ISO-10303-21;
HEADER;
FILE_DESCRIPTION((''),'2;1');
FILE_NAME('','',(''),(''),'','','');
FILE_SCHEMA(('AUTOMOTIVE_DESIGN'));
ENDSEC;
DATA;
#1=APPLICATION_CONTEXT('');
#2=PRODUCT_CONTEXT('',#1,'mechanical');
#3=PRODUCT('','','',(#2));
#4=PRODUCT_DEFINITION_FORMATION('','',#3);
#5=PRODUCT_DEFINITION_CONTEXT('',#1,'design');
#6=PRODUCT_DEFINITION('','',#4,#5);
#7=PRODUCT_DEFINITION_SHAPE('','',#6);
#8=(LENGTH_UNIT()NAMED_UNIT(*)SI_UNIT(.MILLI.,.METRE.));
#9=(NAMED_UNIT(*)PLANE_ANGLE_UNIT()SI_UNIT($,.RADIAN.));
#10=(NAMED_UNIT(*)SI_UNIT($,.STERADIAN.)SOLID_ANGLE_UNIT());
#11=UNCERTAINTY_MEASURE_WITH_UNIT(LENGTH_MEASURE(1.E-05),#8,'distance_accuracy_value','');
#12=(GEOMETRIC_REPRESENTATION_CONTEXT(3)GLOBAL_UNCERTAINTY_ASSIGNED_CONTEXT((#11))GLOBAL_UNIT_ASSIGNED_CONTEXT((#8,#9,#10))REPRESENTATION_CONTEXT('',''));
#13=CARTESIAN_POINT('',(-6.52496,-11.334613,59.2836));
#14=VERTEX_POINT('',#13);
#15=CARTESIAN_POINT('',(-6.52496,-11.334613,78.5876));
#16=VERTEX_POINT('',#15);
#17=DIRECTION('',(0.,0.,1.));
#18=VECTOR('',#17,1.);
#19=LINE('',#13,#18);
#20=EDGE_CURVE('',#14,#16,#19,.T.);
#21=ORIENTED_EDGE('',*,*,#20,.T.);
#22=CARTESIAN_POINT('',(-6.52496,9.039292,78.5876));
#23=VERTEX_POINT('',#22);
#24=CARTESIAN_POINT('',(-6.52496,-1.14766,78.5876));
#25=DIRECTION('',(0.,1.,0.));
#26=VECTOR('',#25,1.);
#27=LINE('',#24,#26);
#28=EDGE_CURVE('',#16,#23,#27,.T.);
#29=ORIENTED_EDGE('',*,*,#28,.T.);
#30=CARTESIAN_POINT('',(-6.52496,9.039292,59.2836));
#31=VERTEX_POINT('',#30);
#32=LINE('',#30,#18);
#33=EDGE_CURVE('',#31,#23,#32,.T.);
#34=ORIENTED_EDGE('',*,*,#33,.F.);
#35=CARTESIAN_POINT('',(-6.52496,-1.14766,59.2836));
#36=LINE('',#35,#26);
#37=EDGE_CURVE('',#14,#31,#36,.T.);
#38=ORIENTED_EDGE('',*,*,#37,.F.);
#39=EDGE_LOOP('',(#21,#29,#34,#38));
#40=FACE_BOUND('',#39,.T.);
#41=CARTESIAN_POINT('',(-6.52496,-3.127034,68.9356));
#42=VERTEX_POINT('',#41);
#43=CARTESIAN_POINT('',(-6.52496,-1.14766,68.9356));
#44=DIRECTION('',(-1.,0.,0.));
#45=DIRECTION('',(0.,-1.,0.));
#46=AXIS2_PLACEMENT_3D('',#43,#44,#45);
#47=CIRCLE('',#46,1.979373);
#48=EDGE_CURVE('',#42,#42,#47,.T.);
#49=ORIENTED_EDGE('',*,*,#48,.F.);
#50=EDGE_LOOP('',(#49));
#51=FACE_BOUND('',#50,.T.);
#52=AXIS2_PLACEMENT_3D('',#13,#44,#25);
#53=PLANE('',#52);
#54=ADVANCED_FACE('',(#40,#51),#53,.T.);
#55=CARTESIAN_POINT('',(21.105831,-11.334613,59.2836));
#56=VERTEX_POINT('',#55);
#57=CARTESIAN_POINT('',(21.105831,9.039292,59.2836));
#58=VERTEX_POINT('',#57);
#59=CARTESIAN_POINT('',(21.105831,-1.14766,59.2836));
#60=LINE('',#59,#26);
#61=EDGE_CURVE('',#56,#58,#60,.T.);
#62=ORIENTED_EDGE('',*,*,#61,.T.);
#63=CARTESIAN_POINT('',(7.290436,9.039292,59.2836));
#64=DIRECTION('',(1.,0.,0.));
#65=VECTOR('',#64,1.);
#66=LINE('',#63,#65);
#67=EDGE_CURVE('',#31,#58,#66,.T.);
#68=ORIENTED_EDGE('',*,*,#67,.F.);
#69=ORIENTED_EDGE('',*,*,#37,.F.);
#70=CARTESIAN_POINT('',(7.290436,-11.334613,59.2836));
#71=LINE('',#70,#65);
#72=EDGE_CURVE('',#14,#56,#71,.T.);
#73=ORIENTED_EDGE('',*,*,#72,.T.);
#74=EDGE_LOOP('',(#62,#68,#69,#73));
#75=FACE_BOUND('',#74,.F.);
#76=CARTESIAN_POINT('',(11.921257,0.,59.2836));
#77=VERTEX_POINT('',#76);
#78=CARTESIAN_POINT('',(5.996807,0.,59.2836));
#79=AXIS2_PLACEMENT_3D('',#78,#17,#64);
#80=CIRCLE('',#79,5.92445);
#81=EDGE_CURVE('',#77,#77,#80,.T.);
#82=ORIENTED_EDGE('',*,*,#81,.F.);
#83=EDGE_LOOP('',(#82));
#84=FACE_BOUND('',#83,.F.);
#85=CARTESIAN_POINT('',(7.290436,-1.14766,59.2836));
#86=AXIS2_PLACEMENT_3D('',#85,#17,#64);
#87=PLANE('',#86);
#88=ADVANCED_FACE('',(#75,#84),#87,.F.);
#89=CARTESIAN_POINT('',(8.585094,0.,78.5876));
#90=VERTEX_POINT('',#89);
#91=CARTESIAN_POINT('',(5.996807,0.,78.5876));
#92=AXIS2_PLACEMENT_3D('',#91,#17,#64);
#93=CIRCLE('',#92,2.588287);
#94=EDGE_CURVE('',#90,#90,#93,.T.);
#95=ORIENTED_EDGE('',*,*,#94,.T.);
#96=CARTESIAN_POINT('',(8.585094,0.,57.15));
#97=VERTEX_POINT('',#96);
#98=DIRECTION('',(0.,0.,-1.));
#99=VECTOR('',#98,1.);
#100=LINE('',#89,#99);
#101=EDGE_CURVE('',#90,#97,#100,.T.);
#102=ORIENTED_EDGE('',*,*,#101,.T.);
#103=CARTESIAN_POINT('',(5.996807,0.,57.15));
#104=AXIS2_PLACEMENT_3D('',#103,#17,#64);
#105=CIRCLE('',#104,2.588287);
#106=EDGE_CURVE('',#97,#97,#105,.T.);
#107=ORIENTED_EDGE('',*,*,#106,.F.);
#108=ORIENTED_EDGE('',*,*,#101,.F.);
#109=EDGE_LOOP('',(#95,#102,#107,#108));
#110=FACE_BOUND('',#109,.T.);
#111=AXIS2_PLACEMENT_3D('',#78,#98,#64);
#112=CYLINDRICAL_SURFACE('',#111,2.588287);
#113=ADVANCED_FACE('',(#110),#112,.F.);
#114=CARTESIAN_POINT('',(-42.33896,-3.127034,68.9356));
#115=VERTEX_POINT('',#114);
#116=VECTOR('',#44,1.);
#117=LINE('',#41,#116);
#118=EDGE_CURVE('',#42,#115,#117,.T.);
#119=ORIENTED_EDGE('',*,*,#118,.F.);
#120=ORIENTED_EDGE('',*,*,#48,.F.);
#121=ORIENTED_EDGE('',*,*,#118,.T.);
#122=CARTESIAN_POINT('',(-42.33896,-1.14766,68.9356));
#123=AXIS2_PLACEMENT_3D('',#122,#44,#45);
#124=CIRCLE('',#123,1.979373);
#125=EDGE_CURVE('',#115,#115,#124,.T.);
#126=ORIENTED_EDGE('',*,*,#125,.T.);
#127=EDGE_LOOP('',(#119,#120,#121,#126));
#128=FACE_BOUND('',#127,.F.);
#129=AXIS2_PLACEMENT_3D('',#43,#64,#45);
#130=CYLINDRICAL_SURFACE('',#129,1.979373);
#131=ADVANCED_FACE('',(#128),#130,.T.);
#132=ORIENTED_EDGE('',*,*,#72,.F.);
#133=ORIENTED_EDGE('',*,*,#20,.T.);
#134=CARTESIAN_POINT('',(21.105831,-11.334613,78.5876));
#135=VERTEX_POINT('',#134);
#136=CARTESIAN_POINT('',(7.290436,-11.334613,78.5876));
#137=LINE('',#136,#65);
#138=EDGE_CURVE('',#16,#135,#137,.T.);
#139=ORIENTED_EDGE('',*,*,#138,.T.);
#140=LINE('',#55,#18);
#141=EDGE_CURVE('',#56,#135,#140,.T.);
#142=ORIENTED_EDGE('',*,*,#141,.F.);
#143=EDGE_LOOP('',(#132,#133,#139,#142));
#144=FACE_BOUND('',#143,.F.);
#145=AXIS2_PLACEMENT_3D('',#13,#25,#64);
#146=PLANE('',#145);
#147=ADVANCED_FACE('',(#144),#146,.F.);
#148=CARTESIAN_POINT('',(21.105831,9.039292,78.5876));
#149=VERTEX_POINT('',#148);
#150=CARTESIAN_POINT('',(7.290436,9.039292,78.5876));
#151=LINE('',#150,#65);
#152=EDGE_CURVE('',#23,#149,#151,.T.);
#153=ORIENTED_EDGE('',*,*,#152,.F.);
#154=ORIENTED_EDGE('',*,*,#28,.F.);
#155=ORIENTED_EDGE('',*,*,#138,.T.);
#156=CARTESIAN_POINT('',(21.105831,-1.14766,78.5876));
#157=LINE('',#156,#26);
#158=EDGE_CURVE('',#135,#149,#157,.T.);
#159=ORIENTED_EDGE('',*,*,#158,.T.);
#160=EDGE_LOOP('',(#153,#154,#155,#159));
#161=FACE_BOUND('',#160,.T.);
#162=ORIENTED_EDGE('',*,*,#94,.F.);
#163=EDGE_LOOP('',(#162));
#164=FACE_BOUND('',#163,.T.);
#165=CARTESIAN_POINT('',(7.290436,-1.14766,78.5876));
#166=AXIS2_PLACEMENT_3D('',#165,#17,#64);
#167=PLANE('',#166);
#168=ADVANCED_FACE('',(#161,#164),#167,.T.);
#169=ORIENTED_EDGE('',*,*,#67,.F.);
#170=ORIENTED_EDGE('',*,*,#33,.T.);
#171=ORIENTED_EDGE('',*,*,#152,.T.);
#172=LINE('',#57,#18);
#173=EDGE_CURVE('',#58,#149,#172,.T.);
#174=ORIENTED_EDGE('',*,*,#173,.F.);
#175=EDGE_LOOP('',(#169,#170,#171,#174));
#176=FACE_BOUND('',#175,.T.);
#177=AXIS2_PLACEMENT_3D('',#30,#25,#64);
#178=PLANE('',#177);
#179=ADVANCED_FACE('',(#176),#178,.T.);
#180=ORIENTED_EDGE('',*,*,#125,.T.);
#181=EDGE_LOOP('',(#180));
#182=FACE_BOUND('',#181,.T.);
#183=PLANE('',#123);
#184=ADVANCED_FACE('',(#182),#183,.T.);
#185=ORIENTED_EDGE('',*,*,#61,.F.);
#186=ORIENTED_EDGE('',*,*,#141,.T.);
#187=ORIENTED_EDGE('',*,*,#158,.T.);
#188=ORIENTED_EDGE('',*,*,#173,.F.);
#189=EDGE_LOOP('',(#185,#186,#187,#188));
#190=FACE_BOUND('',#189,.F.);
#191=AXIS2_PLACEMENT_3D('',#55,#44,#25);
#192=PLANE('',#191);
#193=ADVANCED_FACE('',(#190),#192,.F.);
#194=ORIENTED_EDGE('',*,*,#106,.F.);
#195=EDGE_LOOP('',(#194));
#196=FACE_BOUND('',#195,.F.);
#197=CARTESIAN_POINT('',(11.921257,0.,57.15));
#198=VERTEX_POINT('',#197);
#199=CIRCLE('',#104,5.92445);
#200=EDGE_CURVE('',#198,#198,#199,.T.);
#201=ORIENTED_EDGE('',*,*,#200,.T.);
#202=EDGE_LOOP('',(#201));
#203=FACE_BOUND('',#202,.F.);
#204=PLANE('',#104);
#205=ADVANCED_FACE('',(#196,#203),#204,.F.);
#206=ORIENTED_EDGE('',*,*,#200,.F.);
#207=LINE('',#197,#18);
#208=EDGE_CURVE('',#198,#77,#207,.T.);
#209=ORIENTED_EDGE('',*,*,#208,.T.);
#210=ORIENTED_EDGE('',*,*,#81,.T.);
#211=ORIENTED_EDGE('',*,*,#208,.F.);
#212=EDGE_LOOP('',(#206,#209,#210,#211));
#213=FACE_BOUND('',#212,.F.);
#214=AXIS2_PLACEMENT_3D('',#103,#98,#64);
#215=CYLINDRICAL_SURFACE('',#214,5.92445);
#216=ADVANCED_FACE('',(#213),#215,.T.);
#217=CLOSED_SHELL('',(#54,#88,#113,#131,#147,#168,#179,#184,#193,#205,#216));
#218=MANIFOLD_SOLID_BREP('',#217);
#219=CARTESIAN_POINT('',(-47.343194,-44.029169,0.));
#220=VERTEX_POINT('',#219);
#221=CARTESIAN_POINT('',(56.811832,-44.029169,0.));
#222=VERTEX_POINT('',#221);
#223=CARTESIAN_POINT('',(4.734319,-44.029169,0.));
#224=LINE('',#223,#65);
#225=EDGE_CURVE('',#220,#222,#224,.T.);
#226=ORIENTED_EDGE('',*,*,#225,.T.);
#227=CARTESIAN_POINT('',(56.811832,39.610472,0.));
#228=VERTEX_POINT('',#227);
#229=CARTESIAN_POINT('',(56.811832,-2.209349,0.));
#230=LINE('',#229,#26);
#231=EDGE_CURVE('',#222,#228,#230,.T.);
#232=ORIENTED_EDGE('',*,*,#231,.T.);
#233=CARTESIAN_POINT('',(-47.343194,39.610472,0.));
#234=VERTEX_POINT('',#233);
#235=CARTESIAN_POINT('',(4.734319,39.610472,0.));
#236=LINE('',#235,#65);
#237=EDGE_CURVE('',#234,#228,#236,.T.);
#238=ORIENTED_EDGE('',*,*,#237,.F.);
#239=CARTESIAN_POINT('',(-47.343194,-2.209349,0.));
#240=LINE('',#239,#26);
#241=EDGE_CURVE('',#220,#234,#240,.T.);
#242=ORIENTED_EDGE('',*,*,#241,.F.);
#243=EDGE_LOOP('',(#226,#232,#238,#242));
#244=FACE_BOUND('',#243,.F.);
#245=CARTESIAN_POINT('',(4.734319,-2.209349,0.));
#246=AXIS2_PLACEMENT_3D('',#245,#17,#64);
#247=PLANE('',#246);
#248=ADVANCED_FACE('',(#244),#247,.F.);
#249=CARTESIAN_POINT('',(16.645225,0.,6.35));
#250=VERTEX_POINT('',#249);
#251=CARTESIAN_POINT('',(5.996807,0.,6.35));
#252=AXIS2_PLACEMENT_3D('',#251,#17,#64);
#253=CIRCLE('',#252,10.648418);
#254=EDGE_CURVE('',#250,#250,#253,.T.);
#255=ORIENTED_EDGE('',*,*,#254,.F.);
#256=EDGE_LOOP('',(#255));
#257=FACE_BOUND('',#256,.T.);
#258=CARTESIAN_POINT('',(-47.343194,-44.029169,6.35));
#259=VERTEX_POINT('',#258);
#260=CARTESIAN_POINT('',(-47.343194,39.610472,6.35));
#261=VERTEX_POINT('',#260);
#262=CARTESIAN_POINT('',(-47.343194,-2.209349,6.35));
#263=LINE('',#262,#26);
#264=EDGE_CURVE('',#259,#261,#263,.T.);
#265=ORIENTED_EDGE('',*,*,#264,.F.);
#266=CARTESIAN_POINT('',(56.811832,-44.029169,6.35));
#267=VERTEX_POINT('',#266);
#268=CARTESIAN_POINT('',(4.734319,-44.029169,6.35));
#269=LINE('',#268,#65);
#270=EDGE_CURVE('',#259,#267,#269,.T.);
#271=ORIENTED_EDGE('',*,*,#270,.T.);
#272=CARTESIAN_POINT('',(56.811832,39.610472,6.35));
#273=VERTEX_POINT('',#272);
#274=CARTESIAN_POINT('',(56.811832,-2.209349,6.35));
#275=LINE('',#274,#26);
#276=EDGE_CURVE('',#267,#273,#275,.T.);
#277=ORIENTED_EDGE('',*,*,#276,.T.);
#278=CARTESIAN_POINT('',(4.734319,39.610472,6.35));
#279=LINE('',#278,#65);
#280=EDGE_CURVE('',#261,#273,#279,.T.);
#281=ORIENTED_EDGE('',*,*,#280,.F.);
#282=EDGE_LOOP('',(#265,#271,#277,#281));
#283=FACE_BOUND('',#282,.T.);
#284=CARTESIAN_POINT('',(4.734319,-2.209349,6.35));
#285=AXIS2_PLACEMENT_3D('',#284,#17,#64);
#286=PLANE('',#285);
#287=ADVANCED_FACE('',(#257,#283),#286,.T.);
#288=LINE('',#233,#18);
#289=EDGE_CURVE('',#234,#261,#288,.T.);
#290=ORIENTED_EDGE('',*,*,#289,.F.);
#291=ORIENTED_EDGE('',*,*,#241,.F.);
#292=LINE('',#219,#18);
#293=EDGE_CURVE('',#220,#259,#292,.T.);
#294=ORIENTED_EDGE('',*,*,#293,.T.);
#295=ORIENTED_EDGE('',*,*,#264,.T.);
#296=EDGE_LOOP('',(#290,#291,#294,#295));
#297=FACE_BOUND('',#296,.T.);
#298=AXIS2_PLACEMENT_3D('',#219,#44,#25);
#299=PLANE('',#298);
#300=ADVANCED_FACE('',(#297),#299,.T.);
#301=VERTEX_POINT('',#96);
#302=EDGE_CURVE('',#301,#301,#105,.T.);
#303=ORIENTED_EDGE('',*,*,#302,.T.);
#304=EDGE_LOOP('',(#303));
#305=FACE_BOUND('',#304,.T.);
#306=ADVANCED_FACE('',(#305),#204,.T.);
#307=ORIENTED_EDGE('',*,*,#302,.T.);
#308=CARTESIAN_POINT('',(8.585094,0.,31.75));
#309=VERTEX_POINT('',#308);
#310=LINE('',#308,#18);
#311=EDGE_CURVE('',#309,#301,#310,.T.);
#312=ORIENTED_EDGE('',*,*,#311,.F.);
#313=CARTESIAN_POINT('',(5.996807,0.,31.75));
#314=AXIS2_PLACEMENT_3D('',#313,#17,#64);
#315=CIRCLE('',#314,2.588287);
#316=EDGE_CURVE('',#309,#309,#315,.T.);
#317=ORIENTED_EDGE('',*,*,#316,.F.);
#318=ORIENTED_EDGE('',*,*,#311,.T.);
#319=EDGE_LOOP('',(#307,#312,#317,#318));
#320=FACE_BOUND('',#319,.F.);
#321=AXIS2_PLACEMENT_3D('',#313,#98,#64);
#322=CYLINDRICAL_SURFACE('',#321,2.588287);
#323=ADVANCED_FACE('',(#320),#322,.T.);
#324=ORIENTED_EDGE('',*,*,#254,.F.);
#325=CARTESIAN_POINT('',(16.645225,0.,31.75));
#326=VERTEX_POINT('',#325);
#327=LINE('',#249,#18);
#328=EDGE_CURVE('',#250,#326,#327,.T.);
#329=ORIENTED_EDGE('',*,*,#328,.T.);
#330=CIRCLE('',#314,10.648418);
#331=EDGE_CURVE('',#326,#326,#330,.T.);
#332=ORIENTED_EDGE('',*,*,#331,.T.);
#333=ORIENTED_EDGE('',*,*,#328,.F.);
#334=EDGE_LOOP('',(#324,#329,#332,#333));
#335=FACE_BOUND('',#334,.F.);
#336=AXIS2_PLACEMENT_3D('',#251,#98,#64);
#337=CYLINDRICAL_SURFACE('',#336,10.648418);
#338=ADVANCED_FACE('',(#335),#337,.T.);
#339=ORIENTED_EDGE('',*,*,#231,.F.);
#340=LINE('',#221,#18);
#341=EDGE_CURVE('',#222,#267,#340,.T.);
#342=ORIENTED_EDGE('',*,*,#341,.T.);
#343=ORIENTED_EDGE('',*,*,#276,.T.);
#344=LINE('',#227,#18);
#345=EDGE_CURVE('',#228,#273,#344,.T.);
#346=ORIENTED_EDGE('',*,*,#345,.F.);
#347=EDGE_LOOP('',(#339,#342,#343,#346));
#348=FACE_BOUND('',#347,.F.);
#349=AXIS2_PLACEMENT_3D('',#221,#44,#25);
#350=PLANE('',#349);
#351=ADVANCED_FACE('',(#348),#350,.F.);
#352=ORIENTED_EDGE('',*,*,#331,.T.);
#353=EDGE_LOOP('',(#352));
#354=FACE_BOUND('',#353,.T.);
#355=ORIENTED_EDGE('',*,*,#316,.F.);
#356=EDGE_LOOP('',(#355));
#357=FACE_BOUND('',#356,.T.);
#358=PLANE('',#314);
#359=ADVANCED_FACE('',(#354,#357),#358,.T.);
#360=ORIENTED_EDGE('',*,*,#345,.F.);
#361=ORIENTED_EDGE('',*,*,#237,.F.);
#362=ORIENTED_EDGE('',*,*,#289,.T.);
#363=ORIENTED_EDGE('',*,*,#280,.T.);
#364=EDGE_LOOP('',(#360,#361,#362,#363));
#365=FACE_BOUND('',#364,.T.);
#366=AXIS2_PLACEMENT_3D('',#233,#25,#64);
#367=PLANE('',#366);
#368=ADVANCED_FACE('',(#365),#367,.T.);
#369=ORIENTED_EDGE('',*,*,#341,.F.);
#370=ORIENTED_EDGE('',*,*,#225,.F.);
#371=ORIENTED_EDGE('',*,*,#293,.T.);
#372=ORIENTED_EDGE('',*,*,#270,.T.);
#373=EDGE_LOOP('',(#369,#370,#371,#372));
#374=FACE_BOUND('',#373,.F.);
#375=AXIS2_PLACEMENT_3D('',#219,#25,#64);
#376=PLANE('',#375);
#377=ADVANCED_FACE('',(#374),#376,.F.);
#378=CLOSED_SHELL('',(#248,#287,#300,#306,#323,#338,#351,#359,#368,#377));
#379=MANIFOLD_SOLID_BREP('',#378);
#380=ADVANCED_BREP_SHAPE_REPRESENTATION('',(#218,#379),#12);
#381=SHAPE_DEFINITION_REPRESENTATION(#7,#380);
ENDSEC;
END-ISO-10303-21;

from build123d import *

# Parameters (mm, degrees)
F0_W      = 104.1550263762
F0_H      = 83.6396403611
F1_DEPTH  = 6.35
F2_R      = 10.6484178823
F3_DEPTH  = 25.4
F5_R      = 2.5882869315
F6_DEPTH  = 25.4
F7_R      = 5.9244502738
F7_R_2    = 2.5882869315
F8_DEPTH  = 2.1336
F9_W      = 27.6307915337
F9_H      = 20.3739050776
F9_R      = 5.9244502738
F9_R_2    = 2.5882869315
F10_DEPTH = 19.304
F11_R     = 1.9793730785
F12_DEPTH = 35.814


with BuildPart() as f1:
    # F0 (on Top) → F1 (new body)
    with BuildSketch(Plane.XY):
        with Locations((4.7343187034, -2.2093486041)):
            Rectangle(F0_W, F0_H)
    extrude(amount=F1_DEPTH)

    # F2 (on face) → F3 (join)
    with BuildSketch(Plane.XY.offset(6.35)):
        with Locations((5.9968070127, 0)):
            Circle(F2_R)
    extrude(amount=F3_DEPTH)

    # F5 (on face) → F6 (join)
    with BuildSketch(Plane.XY.offset(31.75)):
        with Locations((5.9968070127, 0)):
            Circle(F5_R)
    extrude(amount=F6_DEPTH)


with BuildPart() as f8:
    # F7 (on face) → F8 (new body)
    with BuildSketch(Plane.XY.offset(57.15)):
        with Locations((5.9968070127, 0)):
            Circle(F7_R)
        with Locations((5.9968070127, 0)):
            Circle(F7_R_2, mode=Mode.SUBTRACT)
    extrude(amount=F8_DEPTH)

    # F9 (on face) → F10 (join)
    with BuildSketch(Plane.XY.offset(59.2836)):
        with Locations((7.2904357221, -1.1476604268)):
            Rectangle(F9_W, F9_H)
        with Locations((5.9968070127, 0)):
            Circle(F9_R, mode=Mode.SUBTRACT)
        with Locations((5.9968070127, 0)):
            Circle(F9_R)
        with Locations((5.9968070127, 0)):
            Circle(F9_R_2, mode=Mode.SUBTRACT)
    extrude(amount=F10_DEPTH)

    # F11 (on face) → F12 (join)
    with BuildSketch(Plane(origin=(-6.5249600448, 0, 0), x_dir=(0, -1, 0), z_dir=(-1, 0, 0))):
        with Locations((1.1476604268, 68.9356)):
            Circle(F11_R)
    extrude(amount=F12_DEPTH)


solid = Compound([f1.part, f8.part])
